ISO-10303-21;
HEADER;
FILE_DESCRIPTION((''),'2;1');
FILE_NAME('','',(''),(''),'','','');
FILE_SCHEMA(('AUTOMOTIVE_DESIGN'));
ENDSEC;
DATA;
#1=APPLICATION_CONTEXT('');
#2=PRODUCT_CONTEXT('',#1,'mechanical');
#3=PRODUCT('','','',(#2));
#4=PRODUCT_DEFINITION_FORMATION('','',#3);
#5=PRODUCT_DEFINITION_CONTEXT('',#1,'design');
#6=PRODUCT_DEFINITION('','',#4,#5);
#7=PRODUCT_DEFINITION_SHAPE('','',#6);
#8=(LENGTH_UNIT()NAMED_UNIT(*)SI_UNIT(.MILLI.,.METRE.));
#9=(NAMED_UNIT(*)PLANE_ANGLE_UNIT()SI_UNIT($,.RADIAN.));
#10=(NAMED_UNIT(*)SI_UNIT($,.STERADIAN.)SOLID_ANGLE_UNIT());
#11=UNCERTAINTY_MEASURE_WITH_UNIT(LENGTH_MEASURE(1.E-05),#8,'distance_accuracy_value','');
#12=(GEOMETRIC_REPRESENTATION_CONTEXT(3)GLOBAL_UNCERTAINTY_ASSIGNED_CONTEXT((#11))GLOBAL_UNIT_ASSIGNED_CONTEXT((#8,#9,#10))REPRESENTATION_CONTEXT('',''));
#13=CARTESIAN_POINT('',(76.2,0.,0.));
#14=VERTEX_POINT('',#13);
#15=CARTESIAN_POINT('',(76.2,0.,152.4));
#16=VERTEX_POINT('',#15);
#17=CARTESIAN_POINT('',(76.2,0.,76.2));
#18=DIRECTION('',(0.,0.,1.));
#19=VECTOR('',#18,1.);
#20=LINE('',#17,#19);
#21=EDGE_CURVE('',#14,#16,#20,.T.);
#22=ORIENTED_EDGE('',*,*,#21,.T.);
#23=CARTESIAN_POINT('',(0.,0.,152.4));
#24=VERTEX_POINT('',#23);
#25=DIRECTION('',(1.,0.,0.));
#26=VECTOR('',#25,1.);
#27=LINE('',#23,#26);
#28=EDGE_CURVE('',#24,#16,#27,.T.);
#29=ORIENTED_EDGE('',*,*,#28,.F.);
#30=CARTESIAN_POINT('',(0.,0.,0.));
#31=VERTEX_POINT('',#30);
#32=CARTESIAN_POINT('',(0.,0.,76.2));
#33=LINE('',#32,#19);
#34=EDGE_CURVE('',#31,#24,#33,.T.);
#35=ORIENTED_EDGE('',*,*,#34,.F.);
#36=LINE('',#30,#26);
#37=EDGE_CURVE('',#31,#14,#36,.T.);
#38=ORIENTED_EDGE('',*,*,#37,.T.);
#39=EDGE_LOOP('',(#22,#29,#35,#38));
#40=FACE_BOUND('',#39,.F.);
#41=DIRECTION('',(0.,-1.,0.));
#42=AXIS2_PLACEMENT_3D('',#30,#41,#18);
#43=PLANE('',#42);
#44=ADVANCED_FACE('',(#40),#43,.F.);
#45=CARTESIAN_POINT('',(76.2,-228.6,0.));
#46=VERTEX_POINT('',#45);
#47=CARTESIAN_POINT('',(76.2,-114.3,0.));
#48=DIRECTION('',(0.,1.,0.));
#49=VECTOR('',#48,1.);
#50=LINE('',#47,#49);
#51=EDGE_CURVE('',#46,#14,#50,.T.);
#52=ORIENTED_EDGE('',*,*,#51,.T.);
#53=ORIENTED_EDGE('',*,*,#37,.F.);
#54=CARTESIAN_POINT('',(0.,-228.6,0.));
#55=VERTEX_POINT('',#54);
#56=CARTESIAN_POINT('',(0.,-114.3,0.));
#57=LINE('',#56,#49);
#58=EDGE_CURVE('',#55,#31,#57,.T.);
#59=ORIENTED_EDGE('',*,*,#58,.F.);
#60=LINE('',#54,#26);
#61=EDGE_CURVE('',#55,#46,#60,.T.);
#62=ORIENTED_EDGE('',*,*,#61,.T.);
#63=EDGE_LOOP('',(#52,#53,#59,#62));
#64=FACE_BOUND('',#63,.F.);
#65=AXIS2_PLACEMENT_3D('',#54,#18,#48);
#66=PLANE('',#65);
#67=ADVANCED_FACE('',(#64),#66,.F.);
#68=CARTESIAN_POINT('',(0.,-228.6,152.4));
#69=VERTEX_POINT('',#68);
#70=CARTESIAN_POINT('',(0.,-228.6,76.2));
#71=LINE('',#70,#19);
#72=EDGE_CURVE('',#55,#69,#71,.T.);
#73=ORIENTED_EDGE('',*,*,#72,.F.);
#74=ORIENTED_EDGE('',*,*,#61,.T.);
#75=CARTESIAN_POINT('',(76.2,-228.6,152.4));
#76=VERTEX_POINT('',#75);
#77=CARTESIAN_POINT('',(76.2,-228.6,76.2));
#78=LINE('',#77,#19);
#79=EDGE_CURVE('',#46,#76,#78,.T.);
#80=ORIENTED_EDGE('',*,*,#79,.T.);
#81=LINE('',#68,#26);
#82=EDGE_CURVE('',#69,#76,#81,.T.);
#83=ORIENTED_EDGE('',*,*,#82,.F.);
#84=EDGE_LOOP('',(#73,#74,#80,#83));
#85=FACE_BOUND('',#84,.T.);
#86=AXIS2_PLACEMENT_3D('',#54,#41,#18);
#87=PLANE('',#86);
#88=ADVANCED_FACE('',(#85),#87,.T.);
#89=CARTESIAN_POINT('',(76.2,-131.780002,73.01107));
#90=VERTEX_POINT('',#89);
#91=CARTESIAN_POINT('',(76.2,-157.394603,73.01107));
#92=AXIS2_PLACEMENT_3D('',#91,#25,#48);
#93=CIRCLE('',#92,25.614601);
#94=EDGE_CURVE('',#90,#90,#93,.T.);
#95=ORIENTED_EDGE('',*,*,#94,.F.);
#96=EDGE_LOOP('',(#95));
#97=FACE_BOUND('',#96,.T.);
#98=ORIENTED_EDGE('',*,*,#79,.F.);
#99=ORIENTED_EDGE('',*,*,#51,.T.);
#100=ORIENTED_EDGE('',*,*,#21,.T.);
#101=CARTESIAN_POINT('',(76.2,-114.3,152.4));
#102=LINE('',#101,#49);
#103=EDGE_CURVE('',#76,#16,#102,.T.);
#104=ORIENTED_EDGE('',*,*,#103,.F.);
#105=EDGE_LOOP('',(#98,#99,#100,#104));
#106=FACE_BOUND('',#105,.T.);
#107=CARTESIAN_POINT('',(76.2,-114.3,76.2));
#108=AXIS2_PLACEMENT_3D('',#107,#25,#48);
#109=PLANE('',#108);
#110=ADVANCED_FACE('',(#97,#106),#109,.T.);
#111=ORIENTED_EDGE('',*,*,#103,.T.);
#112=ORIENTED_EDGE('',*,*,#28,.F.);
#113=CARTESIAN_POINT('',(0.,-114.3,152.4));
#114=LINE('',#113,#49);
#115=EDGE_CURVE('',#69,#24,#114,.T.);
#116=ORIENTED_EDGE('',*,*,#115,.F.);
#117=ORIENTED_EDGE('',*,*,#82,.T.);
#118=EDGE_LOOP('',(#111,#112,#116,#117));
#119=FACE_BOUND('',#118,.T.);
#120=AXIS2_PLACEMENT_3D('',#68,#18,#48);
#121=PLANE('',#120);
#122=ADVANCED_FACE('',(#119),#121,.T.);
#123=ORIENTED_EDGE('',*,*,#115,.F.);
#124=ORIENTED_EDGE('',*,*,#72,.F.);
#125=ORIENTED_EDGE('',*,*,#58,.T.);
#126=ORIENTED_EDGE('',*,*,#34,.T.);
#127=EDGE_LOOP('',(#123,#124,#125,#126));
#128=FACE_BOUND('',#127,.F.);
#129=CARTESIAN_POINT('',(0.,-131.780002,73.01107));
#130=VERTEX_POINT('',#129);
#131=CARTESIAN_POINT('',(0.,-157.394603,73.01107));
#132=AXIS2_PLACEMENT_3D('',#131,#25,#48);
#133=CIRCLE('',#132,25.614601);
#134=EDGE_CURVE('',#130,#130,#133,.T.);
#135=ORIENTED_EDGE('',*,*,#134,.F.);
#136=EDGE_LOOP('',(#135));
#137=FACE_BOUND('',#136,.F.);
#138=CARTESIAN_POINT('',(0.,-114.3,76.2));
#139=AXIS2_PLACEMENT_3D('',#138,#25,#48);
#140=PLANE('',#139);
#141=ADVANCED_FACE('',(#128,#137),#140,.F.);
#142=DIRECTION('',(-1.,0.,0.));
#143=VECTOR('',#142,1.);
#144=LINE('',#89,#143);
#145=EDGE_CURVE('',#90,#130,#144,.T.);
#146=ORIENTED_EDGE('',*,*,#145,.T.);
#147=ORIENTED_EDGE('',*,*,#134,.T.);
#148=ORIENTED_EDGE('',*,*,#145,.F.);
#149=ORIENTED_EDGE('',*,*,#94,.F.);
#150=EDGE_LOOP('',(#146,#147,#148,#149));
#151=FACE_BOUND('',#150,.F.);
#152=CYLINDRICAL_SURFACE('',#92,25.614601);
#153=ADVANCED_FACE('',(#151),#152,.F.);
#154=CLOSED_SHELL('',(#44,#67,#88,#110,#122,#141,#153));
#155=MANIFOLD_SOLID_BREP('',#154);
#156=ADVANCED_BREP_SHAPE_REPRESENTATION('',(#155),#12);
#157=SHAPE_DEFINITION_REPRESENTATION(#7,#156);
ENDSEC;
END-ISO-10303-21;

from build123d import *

# Parameters (mm, degrees)
F0_W     = 228.6
F0_H     = 152.4
F1_DEPTH = 76.2
F2_R     = 25.614601
F3_DEPTH = 76.2


with BuildPart() as f1:
    # F0 (on Right) → F1 (new body)
    with BuildSketch(Plane.YZ):
        with Locations((-114.3, 76.2)):
            Rectangle(F0_W, F0_H)
    extrude(amount=F1_DEPTH)

    # F2 (on face) → F3 (cut)
    with BuildSketch(Plane.YZ.offset(76.2)):
        with Locations((-157.394603, 73.01107)):
            Circle(F2_R)
    extrude(amount=-F3_DEPTH, mode=Mode.SUBTRACT)


solid = f1.part
